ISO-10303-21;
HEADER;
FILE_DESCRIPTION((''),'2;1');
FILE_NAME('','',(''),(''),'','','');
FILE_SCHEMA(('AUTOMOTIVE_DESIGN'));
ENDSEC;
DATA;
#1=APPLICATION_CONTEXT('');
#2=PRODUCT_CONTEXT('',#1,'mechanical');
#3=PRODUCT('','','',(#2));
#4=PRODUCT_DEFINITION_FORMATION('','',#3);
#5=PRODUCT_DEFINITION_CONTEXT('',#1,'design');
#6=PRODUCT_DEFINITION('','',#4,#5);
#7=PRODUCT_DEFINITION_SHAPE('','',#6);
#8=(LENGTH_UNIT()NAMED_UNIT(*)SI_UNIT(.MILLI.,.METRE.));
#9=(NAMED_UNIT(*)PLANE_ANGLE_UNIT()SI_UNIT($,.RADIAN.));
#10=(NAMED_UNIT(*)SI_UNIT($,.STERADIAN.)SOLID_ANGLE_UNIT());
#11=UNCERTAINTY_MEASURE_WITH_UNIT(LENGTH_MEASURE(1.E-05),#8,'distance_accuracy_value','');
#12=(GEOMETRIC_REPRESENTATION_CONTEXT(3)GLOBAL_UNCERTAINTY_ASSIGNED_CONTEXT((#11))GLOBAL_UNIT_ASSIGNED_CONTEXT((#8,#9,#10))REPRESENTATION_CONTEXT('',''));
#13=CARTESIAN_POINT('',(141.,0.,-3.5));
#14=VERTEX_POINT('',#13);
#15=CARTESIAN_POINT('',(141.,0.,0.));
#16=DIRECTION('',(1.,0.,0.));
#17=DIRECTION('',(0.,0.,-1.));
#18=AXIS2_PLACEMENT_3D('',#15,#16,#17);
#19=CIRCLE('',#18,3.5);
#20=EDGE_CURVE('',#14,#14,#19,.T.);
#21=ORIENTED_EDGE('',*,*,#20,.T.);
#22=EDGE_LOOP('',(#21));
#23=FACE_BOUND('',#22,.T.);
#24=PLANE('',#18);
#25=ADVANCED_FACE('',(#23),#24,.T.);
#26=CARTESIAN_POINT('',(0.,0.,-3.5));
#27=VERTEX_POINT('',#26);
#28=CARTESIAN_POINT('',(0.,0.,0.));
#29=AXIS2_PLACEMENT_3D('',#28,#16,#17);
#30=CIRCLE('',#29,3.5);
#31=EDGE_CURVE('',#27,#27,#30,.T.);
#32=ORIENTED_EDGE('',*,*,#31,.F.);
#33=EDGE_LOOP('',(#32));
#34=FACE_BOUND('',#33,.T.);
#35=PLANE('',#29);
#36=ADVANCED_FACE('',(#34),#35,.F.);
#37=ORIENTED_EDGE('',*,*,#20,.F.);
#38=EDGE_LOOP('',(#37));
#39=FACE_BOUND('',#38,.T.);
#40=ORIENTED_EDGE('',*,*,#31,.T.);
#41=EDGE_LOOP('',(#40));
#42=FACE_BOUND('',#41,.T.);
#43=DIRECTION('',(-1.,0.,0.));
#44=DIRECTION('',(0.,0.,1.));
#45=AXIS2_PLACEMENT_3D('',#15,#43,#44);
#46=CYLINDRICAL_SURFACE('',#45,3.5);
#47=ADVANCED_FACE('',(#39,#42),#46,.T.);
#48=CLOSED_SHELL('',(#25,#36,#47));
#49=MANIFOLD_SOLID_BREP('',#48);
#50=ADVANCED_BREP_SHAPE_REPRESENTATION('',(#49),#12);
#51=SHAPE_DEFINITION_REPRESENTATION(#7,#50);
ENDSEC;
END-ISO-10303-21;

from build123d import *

# Parameters (mm, degrees)
ESQUISSE1_R        = 3.5
BOSS_EXTRU_1_DEPTH = 141


with BuildPart() as part:
    # Esquisse1 → Boss.-Extru.1 (new body)
    with BuildSketch(Plane(origin=(0, 0, 0), x_dir=(0, 0, -1), z_dir=(1, 0, 0))):
        Circle(ESQUISSE1_R)
    extrude(amount=BOSS_EXTRU_1_DEPTH)


solid = part.part
